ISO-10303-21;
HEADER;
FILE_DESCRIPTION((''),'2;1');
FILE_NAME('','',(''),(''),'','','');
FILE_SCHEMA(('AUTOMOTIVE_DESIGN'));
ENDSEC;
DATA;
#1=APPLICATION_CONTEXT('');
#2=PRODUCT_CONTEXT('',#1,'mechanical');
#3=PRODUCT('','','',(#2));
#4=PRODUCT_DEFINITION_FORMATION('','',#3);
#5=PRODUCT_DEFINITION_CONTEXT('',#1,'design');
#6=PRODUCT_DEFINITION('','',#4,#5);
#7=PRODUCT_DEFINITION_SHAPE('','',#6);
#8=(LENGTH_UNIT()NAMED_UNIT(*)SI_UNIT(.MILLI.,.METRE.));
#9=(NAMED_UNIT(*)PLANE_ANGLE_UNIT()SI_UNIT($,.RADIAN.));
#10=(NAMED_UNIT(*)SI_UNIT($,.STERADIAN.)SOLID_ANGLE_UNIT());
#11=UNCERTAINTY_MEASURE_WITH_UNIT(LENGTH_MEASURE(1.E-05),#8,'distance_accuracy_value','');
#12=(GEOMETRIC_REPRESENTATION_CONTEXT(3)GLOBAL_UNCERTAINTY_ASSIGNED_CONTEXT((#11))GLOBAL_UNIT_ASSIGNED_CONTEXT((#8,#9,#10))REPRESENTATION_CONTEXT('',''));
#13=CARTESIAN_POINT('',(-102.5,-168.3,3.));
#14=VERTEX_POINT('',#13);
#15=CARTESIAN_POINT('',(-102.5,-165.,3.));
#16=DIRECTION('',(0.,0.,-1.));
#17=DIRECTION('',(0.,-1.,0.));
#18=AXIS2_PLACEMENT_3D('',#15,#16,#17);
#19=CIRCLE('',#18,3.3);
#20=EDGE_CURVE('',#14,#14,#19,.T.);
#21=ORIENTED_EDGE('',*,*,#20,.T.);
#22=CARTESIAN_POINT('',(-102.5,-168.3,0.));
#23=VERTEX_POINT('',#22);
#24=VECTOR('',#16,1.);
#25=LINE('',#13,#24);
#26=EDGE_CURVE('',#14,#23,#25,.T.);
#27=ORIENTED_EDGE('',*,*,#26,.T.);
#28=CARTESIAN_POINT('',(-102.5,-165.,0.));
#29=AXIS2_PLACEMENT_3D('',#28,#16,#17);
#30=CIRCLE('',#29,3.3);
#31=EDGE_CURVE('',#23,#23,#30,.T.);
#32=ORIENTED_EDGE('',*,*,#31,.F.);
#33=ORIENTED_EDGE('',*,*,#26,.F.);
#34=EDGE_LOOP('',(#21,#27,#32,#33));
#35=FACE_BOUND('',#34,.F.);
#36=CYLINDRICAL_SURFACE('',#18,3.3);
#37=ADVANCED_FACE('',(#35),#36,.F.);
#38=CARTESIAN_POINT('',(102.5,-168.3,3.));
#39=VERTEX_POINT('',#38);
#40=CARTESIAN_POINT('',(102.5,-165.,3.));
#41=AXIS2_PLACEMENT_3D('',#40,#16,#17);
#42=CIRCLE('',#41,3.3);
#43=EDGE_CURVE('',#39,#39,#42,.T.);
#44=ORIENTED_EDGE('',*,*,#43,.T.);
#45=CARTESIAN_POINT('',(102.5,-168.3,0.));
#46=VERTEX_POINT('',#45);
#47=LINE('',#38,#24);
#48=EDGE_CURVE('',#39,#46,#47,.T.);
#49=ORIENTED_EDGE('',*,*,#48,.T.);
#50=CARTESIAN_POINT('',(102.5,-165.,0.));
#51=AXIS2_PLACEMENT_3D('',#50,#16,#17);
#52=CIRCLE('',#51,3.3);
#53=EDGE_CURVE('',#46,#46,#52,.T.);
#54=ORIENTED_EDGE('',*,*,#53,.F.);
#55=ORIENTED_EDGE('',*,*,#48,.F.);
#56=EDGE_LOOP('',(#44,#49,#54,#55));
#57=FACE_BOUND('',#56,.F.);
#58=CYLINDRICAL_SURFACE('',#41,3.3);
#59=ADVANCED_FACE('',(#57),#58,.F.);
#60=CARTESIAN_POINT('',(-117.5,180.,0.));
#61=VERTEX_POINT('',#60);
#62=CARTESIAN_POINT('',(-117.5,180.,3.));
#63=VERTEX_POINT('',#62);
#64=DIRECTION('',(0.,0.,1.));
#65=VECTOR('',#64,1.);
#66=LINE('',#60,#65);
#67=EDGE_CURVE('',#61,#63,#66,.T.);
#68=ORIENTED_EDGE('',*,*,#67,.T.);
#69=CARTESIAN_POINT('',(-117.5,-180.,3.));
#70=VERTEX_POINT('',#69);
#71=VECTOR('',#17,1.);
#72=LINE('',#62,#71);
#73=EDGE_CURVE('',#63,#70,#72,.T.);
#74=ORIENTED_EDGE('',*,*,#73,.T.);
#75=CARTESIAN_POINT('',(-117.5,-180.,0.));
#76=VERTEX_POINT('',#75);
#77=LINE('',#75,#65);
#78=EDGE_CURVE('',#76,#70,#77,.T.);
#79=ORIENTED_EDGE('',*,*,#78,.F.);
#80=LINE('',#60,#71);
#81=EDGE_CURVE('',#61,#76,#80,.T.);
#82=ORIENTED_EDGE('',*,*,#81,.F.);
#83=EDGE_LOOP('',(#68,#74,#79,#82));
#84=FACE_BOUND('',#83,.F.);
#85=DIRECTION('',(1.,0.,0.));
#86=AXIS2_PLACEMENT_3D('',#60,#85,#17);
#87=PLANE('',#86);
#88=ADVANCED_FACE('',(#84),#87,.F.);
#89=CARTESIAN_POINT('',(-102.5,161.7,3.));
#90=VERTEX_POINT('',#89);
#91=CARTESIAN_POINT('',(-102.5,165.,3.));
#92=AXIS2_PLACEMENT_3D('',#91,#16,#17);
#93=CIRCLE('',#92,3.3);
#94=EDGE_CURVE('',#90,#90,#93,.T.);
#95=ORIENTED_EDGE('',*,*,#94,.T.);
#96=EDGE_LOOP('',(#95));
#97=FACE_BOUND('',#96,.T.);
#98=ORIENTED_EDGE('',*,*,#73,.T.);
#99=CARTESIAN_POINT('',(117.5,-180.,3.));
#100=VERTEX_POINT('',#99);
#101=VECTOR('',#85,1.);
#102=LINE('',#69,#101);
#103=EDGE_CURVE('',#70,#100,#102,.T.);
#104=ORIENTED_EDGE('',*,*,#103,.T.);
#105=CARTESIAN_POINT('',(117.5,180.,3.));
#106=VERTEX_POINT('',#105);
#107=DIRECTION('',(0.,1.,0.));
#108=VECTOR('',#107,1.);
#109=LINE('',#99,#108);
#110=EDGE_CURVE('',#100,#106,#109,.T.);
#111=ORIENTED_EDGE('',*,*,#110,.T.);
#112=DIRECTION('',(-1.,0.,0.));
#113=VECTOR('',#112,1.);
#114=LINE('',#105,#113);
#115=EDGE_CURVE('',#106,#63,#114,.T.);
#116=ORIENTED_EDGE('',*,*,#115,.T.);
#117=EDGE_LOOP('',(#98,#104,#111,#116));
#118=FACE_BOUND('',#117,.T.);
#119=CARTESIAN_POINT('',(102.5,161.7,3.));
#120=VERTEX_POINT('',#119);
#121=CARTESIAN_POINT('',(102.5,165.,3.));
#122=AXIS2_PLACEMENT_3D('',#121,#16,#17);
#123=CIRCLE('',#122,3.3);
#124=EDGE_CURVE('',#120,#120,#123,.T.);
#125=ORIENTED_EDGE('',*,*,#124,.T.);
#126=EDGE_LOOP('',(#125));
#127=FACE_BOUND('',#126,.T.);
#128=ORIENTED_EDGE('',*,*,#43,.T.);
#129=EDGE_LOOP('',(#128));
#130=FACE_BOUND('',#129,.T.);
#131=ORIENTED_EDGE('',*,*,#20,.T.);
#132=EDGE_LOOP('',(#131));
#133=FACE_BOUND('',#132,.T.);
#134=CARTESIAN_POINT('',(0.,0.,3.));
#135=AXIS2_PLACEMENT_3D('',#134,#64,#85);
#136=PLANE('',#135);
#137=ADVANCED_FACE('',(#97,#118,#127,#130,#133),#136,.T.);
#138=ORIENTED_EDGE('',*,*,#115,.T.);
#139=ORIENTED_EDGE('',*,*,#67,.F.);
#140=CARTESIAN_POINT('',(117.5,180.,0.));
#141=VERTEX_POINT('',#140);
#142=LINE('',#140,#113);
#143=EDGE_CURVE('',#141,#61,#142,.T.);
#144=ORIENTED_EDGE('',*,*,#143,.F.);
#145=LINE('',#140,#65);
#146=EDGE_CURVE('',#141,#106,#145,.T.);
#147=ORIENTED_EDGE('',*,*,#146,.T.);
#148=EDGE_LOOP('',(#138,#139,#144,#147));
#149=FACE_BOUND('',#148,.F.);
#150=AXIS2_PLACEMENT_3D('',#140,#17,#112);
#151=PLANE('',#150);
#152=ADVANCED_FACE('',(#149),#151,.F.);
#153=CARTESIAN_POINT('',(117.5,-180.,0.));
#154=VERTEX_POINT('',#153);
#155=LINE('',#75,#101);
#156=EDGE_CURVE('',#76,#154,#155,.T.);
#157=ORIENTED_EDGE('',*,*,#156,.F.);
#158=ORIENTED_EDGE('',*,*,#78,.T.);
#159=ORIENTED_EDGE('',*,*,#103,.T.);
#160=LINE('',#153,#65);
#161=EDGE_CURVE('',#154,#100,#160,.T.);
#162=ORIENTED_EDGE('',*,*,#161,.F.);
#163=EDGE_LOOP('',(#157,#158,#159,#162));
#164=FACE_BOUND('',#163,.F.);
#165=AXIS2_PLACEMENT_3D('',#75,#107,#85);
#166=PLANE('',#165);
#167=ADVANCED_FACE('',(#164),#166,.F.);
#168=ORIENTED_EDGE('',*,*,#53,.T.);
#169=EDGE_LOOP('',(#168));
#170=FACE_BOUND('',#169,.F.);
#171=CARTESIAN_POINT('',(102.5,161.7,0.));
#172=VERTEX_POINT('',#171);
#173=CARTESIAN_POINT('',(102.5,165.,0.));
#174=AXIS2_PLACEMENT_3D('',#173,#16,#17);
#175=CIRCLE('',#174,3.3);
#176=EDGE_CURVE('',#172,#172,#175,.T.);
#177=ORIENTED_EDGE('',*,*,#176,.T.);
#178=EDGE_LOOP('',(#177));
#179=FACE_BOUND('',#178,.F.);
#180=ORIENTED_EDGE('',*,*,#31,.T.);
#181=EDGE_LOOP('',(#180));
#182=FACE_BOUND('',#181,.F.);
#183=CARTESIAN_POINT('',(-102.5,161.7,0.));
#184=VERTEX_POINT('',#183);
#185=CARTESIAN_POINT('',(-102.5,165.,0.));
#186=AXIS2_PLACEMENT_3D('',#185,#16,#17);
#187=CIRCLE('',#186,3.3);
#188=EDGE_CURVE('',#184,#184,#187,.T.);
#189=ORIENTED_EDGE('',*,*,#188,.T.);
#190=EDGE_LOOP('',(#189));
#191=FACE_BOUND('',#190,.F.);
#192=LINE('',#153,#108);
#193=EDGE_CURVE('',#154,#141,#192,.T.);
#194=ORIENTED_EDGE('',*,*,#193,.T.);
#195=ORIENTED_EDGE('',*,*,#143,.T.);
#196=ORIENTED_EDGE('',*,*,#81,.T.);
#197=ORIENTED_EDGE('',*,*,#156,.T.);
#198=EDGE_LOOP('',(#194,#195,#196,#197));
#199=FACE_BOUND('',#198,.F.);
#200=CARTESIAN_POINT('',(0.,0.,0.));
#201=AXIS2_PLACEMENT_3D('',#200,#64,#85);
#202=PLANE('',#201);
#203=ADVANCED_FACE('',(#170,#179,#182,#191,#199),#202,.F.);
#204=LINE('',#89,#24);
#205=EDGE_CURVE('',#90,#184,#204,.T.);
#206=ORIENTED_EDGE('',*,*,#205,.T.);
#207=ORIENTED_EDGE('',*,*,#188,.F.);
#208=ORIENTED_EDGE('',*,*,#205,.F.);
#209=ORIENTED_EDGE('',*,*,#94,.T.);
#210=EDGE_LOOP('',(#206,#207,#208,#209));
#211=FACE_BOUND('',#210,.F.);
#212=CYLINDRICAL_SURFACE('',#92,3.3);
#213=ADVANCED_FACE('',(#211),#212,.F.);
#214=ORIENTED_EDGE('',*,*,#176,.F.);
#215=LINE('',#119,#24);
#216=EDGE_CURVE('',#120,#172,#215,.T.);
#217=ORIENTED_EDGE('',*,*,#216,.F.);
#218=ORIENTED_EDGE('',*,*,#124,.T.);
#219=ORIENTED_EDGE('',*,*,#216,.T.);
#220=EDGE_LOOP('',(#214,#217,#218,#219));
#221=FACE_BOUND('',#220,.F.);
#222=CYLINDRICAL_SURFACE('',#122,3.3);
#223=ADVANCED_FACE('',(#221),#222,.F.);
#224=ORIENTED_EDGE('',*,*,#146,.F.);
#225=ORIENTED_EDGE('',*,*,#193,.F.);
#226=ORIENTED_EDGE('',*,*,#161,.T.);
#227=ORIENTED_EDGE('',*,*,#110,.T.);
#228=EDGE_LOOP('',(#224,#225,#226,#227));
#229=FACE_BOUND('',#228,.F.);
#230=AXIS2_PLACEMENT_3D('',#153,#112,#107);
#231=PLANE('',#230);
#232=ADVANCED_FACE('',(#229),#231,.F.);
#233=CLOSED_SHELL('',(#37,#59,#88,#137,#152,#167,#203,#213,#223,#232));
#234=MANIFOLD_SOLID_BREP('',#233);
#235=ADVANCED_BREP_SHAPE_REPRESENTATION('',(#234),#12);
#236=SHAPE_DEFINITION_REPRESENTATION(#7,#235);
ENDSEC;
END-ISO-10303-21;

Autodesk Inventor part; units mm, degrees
ref_plane "YZ Plane" through (0, 0, 0) normal (1, 0, 0) x (0, 1, 0)
ref_plane "XZ Plane" through (0, 0, 0) normal (0, 1, 0) x (-1, 0, 0)
ref_plane "XY Plane" through (0, 0, 0) normal (0, 0, 1) x (1, 0, 0)
sketch "スケッチ2" plane through (0, 0, 0) normal (0, 0, 1) x (1, 0, 0)
  line L0 (117.5, 180) -> (-117.5, 180)
  line L1 (-117.5, 180) -> (-117.5, -180)
  line L2 (-117.5, -180) -> (117.5, -180)
  line L3 (117.5, -180) -> (117.5, 180)
  line L4 (117.5, 180) -> (-117.5, -180) construction
  line L5 (-117.5, 180) -> (117.5, -180) construction
  point P0 (0, 0)
  dimension "d0" = 235
  dimension "d1" = 360
extrude "押し出し1" add sketch "スケッチ2" along normal blind 3
sketch "スケッチ3" plane through (0, 0, 3) normal (0, 0, 1) x (1, 0, 0)
  line L0 (-117.5, 180) -> (-117.5, -180) construction
  line L1 (-117.5, -180) -> (117.5, -180) construction
  line L2 (117.5, -180) -> (117.5, 180) construction
  line L3 (117.5, 180) -> (-117.5, 180) construction
  line L4 (102.5, 165) -> (-102.5, 165) construction
  line L5 (-102.5, 165) -> (-102.5, -165) construction
  line L6 (-102.5, -165) -> (102.5, -165) construction
  line L7 (102.5, -165) -> (102.5, 165) construction
  line L8 (102.5, 165) -> (-102.5, -165) construction
  line L9 (-102.5, 165) -> (102.5, -165) construction
  point P0 (0, 0)
  dimension "d4" = 15
  dimension "d5" = 15
hole "穴1" at (-102.5, 165, 3) at (102.5, 165, 3) at (102.5, -165, 3) at (-102.5, -165, 3) direction (0, 0, -1) diameter 6.6 end through all
equation "\"d5\" = d4"
properties part number "bottom_panel"
